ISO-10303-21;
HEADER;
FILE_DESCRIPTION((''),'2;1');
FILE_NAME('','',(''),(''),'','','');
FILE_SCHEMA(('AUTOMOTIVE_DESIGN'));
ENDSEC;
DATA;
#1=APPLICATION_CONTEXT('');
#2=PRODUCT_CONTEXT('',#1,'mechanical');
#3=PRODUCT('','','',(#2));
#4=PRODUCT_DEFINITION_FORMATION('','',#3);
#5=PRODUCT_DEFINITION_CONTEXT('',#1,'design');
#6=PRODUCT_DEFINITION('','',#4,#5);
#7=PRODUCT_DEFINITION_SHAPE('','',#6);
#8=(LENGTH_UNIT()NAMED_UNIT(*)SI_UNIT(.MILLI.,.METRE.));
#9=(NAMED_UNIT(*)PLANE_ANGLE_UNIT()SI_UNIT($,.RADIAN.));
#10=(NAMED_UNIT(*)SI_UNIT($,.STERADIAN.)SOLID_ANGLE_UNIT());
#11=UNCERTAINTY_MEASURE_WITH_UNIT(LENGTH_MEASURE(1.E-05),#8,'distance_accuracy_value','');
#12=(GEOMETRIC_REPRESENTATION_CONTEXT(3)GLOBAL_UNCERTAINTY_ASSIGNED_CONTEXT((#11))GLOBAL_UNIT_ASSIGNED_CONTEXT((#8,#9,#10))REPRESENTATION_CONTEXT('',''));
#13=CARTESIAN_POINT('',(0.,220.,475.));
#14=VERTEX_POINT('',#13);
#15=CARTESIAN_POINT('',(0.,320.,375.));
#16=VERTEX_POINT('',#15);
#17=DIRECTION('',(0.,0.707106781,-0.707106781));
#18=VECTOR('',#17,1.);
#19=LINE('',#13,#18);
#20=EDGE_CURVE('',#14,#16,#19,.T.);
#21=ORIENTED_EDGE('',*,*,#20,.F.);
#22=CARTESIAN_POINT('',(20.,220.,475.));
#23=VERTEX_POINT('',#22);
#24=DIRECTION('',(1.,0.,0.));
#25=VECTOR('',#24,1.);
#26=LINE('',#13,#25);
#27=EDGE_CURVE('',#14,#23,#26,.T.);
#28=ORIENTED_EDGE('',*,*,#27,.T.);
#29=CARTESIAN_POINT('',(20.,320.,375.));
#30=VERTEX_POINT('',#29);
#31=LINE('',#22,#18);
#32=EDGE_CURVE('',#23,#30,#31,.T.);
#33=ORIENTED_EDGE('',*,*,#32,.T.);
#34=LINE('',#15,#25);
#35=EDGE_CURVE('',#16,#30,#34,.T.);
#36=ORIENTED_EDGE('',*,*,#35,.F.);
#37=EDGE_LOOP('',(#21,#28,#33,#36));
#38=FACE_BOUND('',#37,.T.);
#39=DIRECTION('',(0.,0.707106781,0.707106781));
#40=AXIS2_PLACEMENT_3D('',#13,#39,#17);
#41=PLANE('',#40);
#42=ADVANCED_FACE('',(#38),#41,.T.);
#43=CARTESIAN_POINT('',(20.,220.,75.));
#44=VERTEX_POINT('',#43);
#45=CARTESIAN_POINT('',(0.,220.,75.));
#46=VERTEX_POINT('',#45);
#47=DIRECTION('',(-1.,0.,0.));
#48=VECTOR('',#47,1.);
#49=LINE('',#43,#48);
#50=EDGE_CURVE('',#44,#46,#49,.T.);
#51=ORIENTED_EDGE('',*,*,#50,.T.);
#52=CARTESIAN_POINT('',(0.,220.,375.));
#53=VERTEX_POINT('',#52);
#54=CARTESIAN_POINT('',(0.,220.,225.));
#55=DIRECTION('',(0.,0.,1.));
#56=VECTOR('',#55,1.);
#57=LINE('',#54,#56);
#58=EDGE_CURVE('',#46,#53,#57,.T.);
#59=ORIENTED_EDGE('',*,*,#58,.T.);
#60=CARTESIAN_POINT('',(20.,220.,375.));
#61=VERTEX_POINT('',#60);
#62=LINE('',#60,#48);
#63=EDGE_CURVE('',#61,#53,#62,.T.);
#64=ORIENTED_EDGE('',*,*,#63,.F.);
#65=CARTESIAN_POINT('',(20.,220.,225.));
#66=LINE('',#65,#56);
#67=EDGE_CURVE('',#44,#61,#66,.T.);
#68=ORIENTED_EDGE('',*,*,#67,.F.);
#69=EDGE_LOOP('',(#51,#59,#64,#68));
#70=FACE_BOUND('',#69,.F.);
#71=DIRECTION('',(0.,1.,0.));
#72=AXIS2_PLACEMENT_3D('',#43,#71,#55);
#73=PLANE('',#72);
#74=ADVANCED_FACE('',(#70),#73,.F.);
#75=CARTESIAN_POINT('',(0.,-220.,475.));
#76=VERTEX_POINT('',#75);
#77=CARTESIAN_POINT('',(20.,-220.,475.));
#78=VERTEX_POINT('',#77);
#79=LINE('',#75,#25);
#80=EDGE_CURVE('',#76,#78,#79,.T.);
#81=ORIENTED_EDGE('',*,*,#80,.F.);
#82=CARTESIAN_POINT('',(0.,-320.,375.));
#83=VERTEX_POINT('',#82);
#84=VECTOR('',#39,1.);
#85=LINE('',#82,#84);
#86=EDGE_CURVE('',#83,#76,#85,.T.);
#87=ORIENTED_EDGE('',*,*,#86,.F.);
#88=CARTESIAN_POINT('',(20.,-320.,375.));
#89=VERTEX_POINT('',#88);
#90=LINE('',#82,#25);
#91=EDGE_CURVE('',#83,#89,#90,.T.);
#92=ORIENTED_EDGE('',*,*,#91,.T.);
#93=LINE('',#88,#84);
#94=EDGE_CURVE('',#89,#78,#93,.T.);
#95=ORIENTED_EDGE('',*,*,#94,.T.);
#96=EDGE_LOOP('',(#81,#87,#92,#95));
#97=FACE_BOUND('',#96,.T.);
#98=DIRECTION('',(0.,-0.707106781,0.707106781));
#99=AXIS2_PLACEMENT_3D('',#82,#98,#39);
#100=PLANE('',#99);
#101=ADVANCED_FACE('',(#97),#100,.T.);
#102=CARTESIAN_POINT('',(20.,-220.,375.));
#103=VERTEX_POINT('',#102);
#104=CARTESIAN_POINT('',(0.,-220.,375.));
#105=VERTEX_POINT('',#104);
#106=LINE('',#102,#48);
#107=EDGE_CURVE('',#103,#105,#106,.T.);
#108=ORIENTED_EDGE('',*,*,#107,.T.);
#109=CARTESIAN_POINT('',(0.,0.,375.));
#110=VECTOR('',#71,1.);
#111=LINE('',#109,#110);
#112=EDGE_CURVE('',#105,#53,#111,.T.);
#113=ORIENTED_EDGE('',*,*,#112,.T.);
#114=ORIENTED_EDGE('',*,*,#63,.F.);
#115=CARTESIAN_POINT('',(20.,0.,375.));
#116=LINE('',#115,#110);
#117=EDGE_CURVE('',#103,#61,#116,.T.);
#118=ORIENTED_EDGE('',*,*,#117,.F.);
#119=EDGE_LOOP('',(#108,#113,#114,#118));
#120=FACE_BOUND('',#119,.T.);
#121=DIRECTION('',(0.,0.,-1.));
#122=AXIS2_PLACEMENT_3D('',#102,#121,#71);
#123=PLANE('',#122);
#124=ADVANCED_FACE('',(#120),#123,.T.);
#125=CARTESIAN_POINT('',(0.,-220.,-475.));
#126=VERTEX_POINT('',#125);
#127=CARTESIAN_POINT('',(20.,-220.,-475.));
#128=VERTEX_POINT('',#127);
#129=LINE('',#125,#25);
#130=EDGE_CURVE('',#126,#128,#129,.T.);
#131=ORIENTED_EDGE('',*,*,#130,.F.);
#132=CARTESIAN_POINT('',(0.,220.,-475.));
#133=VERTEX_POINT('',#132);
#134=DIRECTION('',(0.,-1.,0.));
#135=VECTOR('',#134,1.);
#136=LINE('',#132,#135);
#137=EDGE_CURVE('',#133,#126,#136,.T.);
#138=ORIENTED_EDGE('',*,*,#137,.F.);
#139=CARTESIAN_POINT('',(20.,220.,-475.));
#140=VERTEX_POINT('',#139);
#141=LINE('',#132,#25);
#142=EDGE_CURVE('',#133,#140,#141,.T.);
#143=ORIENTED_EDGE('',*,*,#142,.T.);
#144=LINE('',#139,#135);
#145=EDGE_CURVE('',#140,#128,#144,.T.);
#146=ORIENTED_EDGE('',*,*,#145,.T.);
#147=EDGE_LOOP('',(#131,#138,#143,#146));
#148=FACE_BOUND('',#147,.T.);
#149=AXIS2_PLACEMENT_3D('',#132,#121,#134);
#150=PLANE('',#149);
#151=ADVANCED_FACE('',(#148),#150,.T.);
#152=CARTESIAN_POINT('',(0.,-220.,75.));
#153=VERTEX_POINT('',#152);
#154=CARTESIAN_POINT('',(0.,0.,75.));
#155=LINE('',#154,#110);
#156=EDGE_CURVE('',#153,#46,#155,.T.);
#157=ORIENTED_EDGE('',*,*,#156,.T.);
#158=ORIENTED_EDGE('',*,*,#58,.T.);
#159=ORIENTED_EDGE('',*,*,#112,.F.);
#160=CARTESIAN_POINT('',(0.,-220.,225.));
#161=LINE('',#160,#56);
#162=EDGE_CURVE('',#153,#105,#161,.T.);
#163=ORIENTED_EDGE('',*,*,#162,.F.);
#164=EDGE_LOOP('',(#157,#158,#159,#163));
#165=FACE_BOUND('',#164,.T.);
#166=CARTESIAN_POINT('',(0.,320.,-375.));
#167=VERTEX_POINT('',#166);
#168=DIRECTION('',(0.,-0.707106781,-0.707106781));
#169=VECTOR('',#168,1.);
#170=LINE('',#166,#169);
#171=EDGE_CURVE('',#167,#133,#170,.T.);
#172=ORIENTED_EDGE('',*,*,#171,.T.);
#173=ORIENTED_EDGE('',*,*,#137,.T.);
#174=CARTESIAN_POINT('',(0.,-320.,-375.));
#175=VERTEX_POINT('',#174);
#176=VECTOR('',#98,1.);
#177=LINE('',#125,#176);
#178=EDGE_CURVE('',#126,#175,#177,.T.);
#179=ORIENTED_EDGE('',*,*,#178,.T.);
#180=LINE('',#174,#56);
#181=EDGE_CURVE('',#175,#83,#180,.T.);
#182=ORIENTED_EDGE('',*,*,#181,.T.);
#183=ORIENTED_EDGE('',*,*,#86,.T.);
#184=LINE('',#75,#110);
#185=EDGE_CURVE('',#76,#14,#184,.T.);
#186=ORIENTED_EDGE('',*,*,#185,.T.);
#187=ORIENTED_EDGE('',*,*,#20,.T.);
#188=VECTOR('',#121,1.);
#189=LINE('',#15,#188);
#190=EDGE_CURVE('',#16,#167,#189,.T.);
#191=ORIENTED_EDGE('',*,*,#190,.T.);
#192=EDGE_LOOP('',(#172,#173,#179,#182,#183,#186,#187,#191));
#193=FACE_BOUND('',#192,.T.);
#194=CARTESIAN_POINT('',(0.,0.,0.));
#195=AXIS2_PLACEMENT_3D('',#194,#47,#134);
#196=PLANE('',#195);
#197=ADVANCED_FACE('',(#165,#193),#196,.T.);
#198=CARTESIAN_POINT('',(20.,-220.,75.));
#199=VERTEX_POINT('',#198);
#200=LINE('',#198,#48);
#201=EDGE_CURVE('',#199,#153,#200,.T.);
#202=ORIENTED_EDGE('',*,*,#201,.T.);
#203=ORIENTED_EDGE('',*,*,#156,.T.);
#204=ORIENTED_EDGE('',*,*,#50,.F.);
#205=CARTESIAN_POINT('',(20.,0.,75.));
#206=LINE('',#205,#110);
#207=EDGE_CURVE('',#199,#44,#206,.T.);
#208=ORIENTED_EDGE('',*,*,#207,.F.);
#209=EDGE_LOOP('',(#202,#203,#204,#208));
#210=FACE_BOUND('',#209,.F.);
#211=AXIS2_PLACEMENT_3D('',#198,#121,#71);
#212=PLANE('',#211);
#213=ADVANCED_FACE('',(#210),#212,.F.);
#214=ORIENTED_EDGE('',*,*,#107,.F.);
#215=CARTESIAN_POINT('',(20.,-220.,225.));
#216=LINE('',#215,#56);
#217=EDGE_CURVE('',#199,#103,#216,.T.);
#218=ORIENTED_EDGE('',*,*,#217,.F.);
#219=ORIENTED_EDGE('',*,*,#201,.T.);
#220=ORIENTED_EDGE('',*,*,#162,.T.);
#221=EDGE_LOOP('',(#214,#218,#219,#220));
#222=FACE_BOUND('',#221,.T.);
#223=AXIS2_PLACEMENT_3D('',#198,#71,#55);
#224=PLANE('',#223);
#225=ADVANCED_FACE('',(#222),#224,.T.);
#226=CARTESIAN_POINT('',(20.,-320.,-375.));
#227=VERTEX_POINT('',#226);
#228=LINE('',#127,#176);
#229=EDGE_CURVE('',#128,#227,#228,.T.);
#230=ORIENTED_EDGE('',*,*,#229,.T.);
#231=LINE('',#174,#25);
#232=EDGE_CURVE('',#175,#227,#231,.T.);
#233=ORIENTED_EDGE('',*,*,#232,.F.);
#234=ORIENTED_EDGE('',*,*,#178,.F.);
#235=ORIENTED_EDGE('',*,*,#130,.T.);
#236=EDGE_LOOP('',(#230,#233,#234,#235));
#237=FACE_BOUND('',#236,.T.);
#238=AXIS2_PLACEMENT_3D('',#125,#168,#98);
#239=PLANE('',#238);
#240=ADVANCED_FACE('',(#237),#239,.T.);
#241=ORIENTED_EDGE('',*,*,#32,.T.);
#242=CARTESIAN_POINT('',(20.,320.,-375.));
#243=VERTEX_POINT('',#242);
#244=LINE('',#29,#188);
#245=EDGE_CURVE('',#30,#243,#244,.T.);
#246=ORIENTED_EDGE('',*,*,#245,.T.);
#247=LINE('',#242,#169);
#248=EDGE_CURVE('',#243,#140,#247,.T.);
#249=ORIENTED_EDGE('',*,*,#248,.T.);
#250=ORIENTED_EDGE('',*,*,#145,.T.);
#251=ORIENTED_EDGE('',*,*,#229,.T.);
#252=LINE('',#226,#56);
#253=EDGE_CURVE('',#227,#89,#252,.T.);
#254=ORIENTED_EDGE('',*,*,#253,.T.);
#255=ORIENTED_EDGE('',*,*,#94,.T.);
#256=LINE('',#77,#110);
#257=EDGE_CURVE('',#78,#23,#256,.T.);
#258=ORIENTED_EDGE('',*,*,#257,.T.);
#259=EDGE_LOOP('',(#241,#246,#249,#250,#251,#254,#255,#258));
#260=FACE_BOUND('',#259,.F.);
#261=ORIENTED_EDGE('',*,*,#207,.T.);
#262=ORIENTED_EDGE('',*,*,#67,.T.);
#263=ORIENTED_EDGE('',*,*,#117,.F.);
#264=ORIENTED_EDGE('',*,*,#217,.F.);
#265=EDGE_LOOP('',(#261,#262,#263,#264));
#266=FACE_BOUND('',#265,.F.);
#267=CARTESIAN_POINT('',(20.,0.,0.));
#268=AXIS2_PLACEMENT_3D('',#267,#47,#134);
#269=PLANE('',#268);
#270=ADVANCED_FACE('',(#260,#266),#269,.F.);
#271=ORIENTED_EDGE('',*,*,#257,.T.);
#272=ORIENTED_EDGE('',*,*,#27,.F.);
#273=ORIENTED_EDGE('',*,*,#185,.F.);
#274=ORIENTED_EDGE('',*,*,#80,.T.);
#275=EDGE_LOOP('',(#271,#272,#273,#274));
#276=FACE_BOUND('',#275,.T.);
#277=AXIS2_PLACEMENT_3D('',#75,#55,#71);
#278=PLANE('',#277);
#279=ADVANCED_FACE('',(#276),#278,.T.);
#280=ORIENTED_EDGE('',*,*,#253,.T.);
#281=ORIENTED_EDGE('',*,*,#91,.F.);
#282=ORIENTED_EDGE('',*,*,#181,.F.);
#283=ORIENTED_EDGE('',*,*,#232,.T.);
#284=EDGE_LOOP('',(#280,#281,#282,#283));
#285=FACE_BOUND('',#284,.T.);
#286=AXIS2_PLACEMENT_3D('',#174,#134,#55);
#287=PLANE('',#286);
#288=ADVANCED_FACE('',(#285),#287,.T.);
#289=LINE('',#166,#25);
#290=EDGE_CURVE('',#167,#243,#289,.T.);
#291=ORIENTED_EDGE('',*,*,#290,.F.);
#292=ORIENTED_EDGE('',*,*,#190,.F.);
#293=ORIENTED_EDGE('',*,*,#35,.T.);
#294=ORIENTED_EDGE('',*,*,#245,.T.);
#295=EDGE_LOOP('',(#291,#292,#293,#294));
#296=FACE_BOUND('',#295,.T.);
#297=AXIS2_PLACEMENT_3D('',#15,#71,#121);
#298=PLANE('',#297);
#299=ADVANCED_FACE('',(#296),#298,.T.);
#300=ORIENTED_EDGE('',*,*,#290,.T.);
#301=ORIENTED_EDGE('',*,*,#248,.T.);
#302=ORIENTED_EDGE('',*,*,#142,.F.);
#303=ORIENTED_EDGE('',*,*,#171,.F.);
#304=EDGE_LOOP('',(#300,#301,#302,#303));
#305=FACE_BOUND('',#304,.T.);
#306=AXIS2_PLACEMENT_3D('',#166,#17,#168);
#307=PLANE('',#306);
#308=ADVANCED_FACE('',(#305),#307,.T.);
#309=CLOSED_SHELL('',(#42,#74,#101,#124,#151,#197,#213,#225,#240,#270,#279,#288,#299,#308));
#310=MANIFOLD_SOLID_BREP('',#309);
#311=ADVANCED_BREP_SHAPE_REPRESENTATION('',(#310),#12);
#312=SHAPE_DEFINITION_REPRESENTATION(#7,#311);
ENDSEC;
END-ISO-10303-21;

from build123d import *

# Parameters (mm, degrees)
PAD_DEPTH    = 20
SKETCH001_W  = 440
SKETCH001_H  = 300
POCKET_DEPTH = 20


with BuildPart() as part:
    # Sketch → Pad (new body)
    with BuildSketch(Plane.YZ):
        Polygon((-220, 475), (220, 475), (320, 375), (320, -375), (220, -475), (-220, -475), (-320, -375), (-320, 375), align=None)
    extrude(amount=PAD_DEPTH)

    # Sketch001 (on Face10 of Pad) → Pocket (cut)
    with BuildSketch(Plane.YZ.offset(20)):
        with Locations((0, 225)):
            Rectangle(SKETCH001_W, SKETCH001_H)
    extrude(amount=-POCKET_DEPTH, mode=Mode.SUBTRACT)


solid = part.part
